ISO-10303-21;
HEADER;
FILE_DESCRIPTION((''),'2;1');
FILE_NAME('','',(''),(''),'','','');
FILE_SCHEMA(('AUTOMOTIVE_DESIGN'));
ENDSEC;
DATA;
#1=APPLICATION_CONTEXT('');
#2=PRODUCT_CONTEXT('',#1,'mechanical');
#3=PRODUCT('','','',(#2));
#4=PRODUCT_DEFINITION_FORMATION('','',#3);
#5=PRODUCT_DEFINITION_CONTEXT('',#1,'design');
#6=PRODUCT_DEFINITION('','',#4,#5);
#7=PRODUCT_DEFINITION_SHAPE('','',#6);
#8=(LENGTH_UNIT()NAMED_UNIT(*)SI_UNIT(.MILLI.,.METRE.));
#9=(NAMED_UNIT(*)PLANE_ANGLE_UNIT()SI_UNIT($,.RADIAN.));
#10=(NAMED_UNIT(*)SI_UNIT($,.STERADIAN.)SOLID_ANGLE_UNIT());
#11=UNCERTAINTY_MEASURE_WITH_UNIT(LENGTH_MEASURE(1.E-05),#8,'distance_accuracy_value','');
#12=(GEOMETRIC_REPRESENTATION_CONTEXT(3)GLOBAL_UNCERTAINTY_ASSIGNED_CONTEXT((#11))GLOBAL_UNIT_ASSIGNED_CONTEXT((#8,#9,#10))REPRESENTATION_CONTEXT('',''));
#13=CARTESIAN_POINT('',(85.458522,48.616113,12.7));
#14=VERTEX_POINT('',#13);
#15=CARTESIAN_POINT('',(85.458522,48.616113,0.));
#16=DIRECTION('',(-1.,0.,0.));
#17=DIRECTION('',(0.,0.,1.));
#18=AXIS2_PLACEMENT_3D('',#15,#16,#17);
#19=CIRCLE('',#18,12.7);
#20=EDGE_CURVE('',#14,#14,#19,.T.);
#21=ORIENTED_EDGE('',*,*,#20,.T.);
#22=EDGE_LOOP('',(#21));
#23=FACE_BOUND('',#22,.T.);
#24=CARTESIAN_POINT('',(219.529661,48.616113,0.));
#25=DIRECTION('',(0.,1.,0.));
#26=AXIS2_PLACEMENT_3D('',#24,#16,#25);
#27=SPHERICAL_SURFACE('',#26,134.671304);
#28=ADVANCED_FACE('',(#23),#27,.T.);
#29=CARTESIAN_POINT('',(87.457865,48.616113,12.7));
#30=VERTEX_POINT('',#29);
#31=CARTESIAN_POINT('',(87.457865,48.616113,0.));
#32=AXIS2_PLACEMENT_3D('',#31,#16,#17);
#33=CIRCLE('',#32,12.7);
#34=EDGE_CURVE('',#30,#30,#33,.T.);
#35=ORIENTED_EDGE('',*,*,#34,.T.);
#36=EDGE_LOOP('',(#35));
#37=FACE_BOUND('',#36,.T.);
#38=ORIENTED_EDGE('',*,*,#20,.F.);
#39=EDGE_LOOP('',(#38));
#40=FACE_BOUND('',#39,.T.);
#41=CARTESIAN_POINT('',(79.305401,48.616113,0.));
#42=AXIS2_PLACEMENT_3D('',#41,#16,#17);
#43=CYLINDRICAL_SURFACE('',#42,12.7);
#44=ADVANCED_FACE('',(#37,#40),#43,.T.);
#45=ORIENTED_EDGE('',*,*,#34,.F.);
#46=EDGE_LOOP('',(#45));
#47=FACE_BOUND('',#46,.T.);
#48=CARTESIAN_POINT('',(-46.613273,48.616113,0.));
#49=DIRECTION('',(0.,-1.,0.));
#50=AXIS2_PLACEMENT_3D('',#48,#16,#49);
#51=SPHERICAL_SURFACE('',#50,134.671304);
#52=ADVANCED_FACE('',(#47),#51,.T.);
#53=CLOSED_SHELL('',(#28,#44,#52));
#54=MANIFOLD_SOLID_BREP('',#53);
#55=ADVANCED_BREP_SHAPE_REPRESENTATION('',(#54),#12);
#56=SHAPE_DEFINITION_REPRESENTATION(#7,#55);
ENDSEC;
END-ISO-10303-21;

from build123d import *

# Parameters (mm, degrees)
SKETCH_1_ONE_SIDE_W = 1.999342857
SKETCH_1_ONE_SIDE_H = 12.7


with BuildPart() as part:
    # 草图1 one side → 旋转1 (revolve)
    with BuildSketch(Plane.XY, mode=Mode.PRIVATE) as revolve_1_sk:
        with Locations((86.458193775, 54.966113023)):
            Rectangle(SKETCH_1_ONE_SIDE_W, SKETCH_1_ONE_SIDE_H)
        with BuildLine():
            Line((84.858356632, 48.616113023), (85.458522346, 48.616113023))
            Line((85.458522346, 48.616113023), (85.458522346, 61.316113023))
            ThreePointArc((85.458522346, 61.316113023), (85.008481737, 54.973199598), (84.858356632, 48.616113023))
        make_face()
        with BuildLine():
            Line((87.457865203, 48.616113023), (88.058030918, 48.616113023))
            ThreePointArc((88.058030918, 48.616113023), (87.907905813, 54.973199598), (87.457865203, 61.316113023))
            Line((87.457865203, 61.316113023), (87.457865203, 48.616113023))
        make_face()
    revolve(revolve_1_sk.sketch.rotate(Axis((79.305401351, 48.616113023, 0), (1, 0, 0)), 90), axis=Axis((79.305401351, 48.616113023, 0), (1, 0, 0)))  # turned: the seam where the file's is


solid = part.part
